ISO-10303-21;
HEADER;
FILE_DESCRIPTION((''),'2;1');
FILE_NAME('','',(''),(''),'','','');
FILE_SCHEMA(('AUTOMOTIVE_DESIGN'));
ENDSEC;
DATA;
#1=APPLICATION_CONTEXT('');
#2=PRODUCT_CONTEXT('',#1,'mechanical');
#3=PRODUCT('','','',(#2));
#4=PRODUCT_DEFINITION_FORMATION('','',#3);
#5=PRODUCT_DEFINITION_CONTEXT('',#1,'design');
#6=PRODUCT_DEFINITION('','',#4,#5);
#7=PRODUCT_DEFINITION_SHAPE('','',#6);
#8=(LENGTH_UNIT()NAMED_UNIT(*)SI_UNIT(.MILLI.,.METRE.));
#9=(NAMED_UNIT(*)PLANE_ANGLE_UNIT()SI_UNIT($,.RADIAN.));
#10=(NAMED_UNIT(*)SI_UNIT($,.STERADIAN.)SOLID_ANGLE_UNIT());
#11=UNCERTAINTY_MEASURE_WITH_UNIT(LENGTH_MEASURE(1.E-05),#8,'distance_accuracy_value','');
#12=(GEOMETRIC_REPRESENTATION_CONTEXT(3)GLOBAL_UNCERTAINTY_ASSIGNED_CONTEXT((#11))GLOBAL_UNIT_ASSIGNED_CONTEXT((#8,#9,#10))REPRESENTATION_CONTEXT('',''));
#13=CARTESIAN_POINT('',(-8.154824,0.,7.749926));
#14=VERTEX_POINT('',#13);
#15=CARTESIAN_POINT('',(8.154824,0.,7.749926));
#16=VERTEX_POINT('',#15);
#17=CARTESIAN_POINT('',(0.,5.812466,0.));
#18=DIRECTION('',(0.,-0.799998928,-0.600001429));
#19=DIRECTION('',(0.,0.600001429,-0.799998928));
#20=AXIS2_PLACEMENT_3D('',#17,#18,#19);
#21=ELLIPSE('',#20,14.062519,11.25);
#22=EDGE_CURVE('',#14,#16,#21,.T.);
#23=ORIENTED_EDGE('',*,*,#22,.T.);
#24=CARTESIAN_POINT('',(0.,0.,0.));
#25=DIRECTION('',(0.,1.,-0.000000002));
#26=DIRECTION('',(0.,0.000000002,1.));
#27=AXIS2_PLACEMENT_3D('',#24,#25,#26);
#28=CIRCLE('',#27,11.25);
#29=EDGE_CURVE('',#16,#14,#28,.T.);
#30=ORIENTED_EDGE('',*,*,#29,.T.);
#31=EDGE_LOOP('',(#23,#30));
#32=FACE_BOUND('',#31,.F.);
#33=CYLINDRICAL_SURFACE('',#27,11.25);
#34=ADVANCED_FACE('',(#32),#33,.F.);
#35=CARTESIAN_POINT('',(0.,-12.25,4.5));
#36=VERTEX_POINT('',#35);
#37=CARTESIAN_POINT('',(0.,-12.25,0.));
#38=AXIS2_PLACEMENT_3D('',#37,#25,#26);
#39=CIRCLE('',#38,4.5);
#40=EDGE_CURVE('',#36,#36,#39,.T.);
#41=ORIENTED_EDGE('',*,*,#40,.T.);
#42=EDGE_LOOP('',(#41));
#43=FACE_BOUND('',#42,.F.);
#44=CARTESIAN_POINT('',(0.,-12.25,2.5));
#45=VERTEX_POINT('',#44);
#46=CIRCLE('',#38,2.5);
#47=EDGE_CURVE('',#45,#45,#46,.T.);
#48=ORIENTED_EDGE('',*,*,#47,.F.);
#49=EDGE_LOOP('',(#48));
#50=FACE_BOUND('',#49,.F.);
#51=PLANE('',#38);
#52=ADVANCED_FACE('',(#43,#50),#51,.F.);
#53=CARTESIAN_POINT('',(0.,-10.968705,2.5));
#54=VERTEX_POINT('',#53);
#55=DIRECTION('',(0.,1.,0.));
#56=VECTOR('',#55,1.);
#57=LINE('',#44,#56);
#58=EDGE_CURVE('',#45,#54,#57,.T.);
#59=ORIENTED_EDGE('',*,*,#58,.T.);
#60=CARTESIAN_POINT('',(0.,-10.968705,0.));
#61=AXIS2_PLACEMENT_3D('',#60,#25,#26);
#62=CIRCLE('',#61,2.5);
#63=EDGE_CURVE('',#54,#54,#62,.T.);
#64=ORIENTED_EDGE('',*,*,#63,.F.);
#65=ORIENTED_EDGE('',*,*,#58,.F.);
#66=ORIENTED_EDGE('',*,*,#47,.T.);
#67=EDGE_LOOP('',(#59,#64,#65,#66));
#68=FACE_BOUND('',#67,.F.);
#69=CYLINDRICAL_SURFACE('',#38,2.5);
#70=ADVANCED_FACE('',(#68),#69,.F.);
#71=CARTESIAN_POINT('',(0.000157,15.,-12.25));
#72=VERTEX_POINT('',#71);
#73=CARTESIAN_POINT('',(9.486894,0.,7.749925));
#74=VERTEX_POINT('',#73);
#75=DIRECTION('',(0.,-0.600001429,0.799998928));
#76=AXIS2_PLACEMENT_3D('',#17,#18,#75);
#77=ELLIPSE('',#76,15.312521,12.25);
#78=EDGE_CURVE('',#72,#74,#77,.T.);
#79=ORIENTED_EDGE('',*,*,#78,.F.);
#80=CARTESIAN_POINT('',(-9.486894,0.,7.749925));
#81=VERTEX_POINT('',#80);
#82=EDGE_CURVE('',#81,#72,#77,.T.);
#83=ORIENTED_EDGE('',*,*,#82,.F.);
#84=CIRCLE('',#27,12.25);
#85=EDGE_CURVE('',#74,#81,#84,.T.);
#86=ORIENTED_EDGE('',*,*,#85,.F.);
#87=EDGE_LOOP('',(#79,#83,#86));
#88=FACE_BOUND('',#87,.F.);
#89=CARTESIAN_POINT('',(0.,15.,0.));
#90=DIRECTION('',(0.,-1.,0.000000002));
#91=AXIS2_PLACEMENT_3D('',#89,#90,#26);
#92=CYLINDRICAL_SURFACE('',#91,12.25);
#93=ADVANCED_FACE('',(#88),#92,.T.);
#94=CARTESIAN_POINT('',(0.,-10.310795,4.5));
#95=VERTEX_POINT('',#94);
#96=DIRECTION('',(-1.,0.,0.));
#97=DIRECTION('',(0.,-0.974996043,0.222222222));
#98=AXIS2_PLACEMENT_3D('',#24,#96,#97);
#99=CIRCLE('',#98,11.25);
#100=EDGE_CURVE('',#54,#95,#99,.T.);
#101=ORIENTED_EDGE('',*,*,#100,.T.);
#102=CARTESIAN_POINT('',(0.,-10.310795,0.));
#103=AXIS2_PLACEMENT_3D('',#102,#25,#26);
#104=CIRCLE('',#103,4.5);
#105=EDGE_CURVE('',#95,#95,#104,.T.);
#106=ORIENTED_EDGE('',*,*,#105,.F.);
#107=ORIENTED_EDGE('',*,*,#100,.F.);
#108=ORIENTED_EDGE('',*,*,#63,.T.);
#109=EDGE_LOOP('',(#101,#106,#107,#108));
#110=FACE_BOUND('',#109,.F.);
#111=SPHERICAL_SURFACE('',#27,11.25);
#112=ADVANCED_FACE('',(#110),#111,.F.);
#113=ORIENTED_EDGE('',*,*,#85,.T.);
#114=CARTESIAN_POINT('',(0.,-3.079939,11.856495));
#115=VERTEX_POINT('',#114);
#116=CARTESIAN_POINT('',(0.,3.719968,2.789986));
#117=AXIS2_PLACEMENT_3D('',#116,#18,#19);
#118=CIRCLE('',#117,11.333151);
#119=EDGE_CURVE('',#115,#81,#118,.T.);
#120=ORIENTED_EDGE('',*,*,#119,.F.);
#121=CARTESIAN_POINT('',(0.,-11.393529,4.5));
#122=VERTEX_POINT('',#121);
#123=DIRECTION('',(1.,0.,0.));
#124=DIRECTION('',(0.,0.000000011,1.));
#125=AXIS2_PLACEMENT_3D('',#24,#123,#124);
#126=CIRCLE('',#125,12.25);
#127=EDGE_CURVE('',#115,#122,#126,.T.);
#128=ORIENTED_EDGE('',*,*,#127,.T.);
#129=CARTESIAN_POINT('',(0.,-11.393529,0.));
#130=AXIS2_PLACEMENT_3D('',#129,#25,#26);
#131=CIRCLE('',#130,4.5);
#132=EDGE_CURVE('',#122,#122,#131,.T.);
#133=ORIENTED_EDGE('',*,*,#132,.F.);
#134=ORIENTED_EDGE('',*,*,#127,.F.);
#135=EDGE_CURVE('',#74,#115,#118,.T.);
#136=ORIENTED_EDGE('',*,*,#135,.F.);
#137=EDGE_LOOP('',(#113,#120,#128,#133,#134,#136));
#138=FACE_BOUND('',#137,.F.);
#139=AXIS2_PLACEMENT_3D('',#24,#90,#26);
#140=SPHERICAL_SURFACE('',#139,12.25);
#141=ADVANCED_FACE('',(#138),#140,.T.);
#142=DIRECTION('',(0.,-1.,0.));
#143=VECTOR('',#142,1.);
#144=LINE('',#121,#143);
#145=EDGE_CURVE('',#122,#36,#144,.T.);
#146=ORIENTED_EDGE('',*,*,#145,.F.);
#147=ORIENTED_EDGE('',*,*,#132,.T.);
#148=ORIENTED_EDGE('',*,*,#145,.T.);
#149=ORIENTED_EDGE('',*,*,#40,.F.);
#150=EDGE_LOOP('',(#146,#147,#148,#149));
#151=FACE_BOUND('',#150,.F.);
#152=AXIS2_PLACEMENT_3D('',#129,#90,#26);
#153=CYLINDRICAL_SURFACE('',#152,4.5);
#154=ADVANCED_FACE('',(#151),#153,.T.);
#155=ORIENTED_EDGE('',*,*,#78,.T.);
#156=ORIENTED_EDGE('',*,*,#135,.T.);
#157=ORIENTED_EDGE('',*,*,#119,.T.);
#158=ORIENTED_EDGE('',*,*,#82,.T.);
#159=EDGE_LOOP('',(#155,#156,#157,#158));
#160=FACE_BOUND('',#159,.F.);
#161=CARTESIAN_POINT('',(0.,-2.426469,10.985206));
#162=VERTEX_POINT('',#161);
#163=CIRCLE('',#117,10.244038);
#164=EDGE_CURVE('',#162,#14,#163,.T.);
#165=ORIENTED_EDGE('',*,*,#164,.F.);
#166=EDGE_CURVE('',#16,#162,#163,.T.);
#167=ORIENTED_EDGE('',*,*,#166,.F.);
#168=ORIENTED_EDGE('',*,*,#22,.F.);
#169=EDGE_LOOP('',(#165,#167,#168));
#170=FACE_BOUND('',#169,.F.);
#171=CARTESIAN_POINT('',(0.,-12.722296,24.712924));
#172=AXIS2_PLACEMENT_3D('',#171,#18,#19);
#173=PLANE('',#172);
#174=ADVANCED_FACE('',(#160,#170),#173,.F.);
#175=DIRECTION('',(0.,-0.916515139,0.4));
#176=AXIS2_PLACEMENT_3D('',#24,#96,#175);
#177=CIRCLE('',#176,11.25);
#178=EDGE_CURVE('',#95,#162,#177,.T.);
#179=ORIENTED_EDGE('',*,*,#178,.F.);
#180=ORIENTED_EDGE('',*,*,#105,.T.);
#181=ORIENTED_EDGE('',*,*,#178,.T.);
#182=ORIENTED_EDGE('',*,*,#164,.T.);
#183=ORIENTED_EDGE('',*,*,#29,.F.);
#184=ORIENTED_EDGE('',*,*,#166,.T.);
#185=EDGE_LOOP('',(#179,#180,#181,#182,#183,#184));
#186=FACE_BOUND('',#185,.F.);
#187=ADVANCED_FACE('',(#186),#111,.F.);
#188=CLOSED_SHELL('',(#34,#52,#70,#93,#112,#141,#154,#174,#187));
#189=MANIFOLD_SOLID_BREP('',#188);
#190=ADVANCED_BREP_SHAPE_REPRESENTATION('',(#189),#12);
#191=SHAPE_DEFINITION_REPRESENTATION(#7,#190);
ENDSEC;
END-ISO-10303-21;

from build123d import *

# Parameters (mm, degrees)
F3_DEPTH = 15


with BuildPart() as f1:
    # F0 (on Right) → F1 (revolve)
    with BuildSketch(Plane.YZ):
        with BuildLine():
            Line((15, 12.25), (1.288e-07, 12.25))
            ThreePointArc((1.288e-07, 12.25), (-6.8897568365, 10.1288573262), (-11.3935288651, 4.5))
            Line((-11.3935288651, 4.5), (-10.3107953137, 4.5))
            ThreePointArc((-10.3107953137, 4.5), (-6.1618787719, 9.4124252985), (0, 11.25))
            Line((0, 11.25), (15, 11.25))
            Line((15, 11.25), (15, 12.25))
        make_face()
        with BuildLine():
            Line((-10.3107953137, 4.5), (-11.3935288651, 4.5))
            ThreePointArc((-11.3935288651, 4.5), (-11.7355401547, 3.5127762921), (-11.9921849552, 2.5))
            Line((-11.9921849552, 2.5), (-10.9687054842, 2.5))
            ThreePointArc((-10.9687054842, 2.5), (-10.6866406579, 3.5154247891), (-10.3107953137, 4.5))
        make_face()
        with BuildLine():
            ThreePointArc((-11.9921849552, 2.5), (-11.7355401547, 3.5127762921), (-11.3935288651, 4.5))
            Line((-11.3935288651, 4.5), (-12.25, 4.5))
            Line((-12.25, 4.5), (-12.25, 2.5))
            Line((-12.25, 2.5), (-11.9921849552, 2.5))
        make_face()
    revolve(axis=Axis((0, 1.375, 3.22e-08), (0, 1, -2.4e-09)))

    # F2 (on Right) → F3 (cut, symmetric)
    with BuildSketch(Plane.YZ):
        Polygon((-12.7222961238, 24.7129239332), (15, -12.25), (15, 24.7129239332), align=None)
    extrude(amount=F3_DEPTH, both=True, mode=Mode.SUBTRACT)


solid = f1.part
